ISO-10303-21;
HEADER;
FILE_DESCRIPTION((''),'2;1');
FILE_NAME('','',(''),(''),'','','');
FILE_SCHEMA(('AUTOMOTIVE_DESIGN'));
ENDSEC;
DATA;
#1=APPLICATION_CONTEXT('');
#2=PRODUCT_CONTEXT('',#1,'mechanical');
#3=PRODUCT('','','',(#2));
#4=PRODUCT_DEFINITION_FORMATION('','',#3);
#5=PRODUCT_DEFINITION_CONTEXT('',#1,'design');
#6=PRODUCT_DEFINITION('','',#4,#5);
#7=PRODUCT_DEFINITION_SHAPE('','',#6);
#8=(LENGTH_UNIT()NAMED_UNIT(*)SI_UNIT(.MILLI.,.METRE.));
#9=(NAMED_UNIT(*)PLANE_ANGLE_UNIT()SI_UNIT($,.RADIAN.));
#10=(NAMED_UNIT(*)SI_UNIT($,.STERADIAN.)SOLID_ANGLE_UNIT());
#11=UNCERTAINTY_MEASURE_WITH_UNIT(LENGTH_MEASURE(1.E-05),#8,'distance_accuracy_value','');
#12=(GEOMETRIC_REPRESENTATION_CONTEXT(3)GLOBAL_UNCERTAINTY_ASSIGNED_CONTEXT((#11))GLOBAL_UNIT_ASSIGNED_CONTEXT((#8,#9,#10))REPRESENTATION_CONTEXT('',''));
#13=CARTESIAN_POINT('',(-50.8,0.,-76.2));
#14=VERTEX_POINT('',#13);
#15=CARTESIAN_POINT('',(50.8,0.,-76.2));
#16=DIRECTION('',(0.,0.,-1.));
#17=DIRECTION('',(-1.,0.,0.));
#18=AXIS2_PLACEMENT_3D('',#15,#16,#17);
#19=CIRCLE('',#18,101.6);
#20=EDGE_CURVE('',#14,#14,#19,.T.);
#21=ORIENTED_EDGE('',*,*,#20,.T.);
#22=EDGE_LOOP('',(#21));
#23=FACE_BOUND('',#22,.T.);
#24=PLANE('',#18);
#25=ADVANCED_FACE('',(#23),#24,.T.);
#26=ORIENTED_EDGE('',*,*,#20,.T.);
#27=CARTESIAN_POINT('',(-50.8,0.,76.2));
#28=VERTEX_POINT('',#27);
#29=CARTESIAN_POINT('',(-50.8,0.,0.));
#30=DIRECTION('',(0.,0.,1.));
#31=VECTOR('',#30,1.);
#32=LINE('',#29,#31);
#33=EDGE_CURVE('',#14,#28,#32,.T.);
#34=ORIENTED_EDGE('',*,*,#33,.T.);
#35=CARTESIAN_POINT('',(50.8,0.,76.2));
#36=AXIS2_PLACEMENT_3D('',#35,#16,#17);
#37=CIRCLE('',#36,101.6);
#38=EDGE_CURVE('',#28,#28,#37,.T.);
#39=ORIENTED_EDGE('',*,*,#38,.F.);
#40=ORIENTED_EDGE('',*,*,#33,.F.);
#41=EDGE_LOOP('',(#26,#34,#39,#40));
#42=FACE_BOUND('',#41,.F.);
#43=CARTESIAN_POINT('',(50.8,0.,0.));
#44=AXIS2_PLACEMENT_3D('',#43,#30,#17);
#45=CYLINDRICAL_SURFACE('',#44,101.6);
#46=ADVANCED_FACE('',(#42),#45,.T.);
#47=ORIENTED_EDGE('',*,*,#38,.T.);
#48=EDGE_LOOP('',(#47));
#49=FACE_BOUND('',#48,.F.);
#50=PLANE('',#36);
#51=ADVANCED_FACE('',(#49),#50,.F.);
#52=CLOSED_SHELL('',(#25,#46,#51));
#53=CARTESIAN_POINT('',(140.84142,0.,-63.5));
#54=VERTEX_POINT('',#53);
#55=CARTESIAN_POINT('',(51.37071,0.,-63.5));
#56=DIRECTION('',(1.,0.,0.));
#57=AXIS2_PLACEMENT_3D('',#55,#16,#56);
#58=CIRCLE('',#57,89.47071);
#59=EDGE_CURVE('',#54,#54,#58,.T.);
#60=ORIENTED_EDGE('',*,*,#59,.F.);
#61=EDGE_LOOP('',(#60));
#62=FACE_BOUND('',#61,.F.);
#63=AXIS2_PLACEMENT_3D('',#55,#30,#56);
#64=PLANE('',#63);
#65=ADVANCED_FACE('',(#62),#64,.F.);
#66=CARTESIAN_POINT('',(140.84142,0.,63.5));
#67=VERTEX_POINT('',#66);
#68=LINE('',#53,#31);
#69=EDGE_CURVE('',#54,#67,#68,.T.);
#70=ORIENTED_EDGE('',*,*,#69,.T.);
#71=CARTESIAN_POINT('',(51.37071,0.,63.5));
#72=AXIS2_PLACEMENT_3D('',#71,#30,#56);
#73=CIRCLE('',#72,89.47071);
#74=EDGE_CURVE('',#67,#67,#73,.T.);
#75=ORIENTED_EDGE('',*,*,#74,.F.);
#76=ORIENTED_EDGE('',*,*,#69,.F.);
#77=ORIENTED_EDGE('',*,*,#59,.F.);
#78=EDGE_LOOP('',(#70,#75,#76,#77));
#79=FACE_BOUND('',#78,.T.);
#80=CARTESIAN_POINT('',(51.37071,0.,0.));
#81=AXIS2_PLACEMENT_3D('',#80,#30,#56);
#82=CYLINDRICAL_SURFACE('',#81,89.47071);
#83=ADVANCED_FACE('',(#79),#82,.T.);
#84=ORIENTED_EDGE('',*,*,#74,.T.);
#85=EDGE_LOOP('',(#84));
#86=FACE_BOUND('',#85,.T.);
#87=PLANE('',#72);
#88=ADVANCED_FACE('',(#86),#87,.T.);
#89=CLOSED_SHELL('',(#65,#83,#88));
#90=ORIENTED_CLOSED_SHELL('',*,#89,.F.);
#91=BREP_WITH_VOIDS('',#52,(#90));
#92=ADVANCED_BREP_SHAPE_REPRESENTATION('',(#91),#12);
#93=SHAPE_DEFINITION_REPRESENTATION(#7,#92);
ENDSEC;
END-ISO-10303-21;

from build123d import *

# Parameters (mm, degrees)
F0_W     = 101.6
F0_H     = 152.4
F2_T     = -12.7
F3_R     = 89.4707101345
F4_DEPTH = 63.5


with BuildPart() as f1:
    # F0 (on Front) → F1 (revolve)
    with BuildSketch(Plane.XZ):
        Rectangle(F0_W, F0_H)
    revolve(axis=Axis((50.8, 0, 0), (0, 0, -1)))

    # F2 (hollow: no face is removed)
    offset(amount=F2_T, mode=Mode.SUBTRACT)

    # F3 (on Top) → F4 (cut, symmetric)
    with BuildSketch(Plane.XY):
        with Locations((51.3707101345, 0)):
            Circle(F3_R)
    extrude(amount=F4_DEPTH, both=True, mode=Mode.SUBTRACT)


solid = f1.part
